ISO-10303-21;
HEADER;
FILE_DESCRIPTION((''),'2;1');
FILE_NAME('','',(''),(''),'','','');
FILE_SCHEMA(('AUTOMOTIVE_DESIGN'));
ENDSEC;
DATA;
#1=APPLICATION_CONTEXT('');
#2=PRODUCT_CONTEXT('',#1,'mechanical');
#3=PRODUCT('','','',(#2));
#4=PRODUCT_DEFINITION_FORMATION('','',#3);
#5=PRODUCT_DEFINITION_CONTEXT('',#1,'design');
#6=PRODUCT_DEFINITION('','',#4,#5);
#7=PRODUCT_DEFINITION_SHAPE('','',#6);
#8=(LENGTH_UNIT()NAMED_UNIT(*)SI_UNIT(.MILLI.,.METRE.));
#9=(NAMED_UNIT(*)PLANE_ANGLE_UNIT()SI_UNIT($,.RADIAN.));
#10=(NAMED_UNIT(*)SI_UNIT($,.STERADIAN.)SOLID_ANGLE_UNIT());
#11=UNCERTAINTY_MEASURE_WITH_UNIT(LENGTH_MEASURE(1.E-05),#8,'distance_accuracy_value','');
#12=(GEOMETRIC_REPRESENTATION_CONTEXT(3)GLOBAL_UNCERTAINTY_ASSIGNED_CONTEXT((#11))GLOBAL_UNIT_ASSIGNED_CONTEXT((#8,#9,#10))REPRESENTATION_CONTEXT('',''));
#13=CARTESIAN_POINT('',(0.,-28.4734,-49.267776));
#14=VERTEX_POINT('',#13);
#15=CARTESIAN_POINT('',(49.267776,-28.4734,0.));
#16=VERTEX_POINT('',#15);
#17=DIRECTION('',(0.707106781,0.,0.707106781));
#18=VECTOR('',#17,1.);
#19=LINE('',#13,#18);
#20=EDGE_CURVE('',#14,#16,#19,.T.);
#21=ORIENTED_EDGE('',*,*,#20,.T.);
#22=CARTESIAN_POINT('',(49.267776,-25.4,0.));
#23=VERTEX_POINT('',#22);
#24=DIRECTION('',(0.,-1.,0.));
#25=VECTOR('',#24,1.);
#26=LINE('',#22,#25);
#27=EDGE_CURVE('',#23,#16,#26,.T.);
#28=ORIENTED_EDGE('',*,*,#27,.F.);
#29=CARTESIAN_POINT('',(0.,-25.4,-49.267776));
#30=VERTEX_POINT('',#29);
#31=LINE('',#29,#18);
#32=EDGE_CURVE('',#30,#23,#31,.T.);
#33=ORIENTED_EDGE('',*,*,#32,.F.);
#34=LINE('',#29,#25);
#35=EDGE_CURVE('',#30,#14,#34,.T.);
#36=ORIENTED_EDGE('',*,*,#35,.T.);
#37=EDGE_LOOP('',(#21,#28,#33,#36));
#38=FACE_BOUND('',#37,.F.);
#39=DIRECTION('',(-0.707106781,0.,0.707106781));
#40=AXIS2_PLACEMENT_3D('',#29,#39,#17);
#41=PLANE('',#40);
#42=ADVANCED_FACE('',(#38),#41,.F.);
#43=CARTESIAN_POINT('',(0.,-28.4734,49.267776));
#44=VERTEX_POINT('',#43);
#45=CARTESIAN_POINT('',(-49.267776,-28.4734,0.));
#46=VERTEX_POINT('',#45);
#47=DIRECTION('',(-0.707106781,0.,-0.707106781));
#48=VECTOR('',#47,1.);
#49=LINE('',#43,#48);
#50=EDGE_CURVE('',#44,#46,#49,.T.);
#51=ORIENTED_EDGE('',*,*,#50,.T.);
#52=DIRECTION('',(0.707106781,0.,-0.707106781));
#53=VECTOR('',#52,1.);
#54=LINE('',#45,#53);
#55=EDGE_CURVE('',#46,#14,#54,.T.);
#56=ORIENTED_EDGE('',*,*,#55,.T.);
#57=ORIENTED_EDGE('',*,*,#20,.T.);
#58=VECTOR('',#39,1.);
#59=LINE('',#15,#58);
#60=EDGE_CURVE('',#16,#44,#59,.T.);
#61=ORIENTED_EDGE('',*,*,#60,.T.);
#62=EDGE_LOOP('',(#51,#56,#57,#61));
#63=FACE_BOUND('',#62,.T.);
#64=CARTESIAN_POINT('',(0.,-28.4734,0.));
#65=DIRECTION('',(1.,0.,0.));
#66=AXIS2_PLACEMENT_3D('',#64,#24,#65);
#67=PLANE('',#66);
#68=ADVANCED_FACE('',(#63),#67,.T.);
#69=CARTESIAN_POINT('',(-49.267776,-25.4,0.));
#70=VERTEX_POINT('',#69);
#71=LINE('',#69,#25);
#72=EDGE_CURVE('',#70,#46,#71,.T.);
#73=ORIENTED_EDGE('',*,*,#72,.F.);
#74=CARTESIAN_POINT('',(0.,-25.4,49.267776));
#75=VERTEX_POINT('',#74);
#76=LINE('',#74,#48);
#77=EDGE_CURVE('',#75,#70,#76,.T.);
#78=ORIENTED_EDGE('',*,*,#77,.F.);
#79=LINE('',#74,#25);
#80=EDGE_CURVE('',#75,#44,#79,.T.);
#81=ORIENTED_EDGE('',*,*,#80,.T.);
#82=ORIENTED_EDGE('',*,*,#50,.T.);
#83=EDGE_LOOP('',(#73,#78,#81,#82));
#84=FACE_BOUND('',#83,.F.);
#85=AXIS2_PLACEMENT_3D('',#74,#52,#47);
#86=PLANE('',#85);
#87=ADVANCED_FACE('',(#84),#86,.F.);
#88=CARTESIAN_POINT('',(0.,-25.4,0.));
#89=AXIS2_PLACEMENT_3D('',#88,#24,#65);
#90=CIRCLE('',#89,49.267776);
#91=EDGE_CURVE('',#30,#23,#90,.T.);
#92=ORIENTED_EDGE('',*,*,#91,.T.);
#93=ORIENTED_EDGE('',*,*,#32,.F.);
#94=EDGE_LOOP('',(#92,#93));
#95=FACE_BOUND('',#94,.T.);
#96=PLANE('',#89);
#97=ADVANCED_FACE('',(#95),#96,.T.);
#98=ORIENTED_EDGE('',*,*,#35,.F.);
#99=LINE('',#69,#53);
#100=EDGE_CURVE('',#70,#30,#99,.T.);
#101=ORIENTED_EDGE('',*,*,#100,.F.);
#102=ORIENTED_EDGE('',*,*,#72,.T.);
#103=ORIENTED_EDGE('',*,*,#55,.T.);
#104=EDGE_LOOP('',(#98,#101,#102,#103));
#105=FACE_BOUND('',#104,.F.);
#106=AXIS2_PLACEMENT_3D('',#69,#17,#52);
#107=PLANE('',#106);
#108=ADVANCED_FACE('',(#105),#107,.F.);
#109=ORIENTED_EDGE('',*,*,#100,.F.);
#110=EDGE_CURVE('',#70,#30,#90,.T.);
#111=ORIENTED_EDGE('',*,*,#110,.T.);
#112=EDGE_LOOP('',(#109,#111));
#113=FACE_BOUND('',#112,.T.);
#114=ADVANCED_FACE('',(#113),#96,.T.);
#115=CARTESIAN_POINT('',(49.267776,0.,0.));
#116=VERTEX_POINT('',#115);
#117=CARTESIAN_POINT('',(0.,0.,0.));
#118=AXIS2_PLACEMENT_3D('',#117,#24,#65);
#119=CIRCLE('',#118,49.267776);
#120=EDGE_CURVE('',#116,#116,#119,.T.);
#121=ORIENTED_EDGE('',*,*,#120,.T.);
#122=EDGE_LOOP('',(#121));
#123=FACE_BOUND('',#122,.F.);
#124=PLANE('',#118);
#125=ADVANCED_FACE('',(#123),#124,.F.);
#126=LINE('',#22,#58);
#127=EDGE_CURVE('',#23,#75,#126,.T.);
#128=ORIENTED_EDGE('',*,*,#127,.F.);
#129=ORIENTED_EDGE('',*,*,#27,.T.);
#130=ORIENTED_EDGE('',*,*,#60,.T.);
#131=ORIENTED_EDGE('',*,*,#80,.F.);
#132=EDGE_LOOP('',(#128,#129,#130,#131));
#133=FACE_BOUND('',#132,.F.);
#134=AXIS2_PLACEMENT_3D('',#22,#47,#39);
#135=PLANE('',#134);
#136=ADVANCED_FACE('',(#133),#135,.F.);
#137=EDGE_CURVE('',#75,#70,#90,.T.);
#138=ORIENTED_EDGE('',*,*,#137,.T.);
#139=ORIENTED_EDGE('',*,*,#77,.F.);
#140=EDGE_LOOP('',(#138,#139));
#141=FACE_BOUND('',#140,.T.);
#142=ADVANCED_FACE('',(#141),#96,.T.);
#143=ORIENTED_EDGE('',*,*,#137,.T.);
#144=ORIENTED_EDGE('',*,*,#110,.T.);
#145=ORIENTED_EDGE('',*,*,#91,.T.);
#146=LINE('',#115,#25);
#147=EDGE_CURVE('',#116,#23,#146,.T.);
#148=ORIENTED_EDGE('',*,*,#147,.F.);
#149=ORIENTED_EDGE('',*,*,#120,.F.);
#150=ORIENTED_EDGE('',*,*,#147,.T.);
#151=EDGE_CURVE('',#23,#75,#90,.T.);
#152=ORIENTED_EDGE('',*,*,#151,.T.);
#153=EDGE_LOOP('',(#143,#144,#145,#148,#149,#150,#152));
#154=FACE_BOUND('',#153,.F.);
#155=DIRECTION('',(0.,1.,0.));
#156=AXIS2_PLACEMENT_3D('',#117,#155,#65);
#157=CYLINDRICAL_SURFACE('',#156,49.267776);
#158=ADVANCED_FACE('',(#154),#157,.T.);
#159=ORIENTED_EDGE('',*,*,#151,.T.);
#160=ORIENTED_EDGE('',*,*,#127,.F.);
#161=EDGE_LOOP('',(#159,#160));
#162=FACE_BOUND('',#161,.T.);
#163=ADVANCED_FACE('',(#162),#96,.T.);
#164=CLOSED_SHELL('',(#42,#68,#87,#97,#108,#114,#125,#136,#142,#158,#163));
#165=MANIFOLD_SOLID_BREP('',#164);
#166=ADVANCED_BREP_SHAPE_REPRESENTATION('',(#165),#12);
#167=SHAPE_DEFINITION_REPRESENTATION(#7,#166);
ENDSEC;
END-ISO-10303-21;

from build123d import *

# Parameters (mm, degrees)
F0_R     = 49.267776
F1_DEPTH = 25.4
F3_DEPTH = 3.0734


with BuildPart() as f1:
    # F0 (on Front) → F1 (new body)
    with BuildSketch(Plane.XZ):
        Circle(F0_R)
    extrude(amount=F1_DEPTH)

    # F2 (on face) → F3 (join)
    with BuildSketch(Plane.XZ.offset(25.4)):
        Polygon((49.267776, 0), (0, 49.267776), (-49.267776, 0), (0, -49.267776), align=None)
    extrude(amount=F3_DEPTH)


solid = f1.part
